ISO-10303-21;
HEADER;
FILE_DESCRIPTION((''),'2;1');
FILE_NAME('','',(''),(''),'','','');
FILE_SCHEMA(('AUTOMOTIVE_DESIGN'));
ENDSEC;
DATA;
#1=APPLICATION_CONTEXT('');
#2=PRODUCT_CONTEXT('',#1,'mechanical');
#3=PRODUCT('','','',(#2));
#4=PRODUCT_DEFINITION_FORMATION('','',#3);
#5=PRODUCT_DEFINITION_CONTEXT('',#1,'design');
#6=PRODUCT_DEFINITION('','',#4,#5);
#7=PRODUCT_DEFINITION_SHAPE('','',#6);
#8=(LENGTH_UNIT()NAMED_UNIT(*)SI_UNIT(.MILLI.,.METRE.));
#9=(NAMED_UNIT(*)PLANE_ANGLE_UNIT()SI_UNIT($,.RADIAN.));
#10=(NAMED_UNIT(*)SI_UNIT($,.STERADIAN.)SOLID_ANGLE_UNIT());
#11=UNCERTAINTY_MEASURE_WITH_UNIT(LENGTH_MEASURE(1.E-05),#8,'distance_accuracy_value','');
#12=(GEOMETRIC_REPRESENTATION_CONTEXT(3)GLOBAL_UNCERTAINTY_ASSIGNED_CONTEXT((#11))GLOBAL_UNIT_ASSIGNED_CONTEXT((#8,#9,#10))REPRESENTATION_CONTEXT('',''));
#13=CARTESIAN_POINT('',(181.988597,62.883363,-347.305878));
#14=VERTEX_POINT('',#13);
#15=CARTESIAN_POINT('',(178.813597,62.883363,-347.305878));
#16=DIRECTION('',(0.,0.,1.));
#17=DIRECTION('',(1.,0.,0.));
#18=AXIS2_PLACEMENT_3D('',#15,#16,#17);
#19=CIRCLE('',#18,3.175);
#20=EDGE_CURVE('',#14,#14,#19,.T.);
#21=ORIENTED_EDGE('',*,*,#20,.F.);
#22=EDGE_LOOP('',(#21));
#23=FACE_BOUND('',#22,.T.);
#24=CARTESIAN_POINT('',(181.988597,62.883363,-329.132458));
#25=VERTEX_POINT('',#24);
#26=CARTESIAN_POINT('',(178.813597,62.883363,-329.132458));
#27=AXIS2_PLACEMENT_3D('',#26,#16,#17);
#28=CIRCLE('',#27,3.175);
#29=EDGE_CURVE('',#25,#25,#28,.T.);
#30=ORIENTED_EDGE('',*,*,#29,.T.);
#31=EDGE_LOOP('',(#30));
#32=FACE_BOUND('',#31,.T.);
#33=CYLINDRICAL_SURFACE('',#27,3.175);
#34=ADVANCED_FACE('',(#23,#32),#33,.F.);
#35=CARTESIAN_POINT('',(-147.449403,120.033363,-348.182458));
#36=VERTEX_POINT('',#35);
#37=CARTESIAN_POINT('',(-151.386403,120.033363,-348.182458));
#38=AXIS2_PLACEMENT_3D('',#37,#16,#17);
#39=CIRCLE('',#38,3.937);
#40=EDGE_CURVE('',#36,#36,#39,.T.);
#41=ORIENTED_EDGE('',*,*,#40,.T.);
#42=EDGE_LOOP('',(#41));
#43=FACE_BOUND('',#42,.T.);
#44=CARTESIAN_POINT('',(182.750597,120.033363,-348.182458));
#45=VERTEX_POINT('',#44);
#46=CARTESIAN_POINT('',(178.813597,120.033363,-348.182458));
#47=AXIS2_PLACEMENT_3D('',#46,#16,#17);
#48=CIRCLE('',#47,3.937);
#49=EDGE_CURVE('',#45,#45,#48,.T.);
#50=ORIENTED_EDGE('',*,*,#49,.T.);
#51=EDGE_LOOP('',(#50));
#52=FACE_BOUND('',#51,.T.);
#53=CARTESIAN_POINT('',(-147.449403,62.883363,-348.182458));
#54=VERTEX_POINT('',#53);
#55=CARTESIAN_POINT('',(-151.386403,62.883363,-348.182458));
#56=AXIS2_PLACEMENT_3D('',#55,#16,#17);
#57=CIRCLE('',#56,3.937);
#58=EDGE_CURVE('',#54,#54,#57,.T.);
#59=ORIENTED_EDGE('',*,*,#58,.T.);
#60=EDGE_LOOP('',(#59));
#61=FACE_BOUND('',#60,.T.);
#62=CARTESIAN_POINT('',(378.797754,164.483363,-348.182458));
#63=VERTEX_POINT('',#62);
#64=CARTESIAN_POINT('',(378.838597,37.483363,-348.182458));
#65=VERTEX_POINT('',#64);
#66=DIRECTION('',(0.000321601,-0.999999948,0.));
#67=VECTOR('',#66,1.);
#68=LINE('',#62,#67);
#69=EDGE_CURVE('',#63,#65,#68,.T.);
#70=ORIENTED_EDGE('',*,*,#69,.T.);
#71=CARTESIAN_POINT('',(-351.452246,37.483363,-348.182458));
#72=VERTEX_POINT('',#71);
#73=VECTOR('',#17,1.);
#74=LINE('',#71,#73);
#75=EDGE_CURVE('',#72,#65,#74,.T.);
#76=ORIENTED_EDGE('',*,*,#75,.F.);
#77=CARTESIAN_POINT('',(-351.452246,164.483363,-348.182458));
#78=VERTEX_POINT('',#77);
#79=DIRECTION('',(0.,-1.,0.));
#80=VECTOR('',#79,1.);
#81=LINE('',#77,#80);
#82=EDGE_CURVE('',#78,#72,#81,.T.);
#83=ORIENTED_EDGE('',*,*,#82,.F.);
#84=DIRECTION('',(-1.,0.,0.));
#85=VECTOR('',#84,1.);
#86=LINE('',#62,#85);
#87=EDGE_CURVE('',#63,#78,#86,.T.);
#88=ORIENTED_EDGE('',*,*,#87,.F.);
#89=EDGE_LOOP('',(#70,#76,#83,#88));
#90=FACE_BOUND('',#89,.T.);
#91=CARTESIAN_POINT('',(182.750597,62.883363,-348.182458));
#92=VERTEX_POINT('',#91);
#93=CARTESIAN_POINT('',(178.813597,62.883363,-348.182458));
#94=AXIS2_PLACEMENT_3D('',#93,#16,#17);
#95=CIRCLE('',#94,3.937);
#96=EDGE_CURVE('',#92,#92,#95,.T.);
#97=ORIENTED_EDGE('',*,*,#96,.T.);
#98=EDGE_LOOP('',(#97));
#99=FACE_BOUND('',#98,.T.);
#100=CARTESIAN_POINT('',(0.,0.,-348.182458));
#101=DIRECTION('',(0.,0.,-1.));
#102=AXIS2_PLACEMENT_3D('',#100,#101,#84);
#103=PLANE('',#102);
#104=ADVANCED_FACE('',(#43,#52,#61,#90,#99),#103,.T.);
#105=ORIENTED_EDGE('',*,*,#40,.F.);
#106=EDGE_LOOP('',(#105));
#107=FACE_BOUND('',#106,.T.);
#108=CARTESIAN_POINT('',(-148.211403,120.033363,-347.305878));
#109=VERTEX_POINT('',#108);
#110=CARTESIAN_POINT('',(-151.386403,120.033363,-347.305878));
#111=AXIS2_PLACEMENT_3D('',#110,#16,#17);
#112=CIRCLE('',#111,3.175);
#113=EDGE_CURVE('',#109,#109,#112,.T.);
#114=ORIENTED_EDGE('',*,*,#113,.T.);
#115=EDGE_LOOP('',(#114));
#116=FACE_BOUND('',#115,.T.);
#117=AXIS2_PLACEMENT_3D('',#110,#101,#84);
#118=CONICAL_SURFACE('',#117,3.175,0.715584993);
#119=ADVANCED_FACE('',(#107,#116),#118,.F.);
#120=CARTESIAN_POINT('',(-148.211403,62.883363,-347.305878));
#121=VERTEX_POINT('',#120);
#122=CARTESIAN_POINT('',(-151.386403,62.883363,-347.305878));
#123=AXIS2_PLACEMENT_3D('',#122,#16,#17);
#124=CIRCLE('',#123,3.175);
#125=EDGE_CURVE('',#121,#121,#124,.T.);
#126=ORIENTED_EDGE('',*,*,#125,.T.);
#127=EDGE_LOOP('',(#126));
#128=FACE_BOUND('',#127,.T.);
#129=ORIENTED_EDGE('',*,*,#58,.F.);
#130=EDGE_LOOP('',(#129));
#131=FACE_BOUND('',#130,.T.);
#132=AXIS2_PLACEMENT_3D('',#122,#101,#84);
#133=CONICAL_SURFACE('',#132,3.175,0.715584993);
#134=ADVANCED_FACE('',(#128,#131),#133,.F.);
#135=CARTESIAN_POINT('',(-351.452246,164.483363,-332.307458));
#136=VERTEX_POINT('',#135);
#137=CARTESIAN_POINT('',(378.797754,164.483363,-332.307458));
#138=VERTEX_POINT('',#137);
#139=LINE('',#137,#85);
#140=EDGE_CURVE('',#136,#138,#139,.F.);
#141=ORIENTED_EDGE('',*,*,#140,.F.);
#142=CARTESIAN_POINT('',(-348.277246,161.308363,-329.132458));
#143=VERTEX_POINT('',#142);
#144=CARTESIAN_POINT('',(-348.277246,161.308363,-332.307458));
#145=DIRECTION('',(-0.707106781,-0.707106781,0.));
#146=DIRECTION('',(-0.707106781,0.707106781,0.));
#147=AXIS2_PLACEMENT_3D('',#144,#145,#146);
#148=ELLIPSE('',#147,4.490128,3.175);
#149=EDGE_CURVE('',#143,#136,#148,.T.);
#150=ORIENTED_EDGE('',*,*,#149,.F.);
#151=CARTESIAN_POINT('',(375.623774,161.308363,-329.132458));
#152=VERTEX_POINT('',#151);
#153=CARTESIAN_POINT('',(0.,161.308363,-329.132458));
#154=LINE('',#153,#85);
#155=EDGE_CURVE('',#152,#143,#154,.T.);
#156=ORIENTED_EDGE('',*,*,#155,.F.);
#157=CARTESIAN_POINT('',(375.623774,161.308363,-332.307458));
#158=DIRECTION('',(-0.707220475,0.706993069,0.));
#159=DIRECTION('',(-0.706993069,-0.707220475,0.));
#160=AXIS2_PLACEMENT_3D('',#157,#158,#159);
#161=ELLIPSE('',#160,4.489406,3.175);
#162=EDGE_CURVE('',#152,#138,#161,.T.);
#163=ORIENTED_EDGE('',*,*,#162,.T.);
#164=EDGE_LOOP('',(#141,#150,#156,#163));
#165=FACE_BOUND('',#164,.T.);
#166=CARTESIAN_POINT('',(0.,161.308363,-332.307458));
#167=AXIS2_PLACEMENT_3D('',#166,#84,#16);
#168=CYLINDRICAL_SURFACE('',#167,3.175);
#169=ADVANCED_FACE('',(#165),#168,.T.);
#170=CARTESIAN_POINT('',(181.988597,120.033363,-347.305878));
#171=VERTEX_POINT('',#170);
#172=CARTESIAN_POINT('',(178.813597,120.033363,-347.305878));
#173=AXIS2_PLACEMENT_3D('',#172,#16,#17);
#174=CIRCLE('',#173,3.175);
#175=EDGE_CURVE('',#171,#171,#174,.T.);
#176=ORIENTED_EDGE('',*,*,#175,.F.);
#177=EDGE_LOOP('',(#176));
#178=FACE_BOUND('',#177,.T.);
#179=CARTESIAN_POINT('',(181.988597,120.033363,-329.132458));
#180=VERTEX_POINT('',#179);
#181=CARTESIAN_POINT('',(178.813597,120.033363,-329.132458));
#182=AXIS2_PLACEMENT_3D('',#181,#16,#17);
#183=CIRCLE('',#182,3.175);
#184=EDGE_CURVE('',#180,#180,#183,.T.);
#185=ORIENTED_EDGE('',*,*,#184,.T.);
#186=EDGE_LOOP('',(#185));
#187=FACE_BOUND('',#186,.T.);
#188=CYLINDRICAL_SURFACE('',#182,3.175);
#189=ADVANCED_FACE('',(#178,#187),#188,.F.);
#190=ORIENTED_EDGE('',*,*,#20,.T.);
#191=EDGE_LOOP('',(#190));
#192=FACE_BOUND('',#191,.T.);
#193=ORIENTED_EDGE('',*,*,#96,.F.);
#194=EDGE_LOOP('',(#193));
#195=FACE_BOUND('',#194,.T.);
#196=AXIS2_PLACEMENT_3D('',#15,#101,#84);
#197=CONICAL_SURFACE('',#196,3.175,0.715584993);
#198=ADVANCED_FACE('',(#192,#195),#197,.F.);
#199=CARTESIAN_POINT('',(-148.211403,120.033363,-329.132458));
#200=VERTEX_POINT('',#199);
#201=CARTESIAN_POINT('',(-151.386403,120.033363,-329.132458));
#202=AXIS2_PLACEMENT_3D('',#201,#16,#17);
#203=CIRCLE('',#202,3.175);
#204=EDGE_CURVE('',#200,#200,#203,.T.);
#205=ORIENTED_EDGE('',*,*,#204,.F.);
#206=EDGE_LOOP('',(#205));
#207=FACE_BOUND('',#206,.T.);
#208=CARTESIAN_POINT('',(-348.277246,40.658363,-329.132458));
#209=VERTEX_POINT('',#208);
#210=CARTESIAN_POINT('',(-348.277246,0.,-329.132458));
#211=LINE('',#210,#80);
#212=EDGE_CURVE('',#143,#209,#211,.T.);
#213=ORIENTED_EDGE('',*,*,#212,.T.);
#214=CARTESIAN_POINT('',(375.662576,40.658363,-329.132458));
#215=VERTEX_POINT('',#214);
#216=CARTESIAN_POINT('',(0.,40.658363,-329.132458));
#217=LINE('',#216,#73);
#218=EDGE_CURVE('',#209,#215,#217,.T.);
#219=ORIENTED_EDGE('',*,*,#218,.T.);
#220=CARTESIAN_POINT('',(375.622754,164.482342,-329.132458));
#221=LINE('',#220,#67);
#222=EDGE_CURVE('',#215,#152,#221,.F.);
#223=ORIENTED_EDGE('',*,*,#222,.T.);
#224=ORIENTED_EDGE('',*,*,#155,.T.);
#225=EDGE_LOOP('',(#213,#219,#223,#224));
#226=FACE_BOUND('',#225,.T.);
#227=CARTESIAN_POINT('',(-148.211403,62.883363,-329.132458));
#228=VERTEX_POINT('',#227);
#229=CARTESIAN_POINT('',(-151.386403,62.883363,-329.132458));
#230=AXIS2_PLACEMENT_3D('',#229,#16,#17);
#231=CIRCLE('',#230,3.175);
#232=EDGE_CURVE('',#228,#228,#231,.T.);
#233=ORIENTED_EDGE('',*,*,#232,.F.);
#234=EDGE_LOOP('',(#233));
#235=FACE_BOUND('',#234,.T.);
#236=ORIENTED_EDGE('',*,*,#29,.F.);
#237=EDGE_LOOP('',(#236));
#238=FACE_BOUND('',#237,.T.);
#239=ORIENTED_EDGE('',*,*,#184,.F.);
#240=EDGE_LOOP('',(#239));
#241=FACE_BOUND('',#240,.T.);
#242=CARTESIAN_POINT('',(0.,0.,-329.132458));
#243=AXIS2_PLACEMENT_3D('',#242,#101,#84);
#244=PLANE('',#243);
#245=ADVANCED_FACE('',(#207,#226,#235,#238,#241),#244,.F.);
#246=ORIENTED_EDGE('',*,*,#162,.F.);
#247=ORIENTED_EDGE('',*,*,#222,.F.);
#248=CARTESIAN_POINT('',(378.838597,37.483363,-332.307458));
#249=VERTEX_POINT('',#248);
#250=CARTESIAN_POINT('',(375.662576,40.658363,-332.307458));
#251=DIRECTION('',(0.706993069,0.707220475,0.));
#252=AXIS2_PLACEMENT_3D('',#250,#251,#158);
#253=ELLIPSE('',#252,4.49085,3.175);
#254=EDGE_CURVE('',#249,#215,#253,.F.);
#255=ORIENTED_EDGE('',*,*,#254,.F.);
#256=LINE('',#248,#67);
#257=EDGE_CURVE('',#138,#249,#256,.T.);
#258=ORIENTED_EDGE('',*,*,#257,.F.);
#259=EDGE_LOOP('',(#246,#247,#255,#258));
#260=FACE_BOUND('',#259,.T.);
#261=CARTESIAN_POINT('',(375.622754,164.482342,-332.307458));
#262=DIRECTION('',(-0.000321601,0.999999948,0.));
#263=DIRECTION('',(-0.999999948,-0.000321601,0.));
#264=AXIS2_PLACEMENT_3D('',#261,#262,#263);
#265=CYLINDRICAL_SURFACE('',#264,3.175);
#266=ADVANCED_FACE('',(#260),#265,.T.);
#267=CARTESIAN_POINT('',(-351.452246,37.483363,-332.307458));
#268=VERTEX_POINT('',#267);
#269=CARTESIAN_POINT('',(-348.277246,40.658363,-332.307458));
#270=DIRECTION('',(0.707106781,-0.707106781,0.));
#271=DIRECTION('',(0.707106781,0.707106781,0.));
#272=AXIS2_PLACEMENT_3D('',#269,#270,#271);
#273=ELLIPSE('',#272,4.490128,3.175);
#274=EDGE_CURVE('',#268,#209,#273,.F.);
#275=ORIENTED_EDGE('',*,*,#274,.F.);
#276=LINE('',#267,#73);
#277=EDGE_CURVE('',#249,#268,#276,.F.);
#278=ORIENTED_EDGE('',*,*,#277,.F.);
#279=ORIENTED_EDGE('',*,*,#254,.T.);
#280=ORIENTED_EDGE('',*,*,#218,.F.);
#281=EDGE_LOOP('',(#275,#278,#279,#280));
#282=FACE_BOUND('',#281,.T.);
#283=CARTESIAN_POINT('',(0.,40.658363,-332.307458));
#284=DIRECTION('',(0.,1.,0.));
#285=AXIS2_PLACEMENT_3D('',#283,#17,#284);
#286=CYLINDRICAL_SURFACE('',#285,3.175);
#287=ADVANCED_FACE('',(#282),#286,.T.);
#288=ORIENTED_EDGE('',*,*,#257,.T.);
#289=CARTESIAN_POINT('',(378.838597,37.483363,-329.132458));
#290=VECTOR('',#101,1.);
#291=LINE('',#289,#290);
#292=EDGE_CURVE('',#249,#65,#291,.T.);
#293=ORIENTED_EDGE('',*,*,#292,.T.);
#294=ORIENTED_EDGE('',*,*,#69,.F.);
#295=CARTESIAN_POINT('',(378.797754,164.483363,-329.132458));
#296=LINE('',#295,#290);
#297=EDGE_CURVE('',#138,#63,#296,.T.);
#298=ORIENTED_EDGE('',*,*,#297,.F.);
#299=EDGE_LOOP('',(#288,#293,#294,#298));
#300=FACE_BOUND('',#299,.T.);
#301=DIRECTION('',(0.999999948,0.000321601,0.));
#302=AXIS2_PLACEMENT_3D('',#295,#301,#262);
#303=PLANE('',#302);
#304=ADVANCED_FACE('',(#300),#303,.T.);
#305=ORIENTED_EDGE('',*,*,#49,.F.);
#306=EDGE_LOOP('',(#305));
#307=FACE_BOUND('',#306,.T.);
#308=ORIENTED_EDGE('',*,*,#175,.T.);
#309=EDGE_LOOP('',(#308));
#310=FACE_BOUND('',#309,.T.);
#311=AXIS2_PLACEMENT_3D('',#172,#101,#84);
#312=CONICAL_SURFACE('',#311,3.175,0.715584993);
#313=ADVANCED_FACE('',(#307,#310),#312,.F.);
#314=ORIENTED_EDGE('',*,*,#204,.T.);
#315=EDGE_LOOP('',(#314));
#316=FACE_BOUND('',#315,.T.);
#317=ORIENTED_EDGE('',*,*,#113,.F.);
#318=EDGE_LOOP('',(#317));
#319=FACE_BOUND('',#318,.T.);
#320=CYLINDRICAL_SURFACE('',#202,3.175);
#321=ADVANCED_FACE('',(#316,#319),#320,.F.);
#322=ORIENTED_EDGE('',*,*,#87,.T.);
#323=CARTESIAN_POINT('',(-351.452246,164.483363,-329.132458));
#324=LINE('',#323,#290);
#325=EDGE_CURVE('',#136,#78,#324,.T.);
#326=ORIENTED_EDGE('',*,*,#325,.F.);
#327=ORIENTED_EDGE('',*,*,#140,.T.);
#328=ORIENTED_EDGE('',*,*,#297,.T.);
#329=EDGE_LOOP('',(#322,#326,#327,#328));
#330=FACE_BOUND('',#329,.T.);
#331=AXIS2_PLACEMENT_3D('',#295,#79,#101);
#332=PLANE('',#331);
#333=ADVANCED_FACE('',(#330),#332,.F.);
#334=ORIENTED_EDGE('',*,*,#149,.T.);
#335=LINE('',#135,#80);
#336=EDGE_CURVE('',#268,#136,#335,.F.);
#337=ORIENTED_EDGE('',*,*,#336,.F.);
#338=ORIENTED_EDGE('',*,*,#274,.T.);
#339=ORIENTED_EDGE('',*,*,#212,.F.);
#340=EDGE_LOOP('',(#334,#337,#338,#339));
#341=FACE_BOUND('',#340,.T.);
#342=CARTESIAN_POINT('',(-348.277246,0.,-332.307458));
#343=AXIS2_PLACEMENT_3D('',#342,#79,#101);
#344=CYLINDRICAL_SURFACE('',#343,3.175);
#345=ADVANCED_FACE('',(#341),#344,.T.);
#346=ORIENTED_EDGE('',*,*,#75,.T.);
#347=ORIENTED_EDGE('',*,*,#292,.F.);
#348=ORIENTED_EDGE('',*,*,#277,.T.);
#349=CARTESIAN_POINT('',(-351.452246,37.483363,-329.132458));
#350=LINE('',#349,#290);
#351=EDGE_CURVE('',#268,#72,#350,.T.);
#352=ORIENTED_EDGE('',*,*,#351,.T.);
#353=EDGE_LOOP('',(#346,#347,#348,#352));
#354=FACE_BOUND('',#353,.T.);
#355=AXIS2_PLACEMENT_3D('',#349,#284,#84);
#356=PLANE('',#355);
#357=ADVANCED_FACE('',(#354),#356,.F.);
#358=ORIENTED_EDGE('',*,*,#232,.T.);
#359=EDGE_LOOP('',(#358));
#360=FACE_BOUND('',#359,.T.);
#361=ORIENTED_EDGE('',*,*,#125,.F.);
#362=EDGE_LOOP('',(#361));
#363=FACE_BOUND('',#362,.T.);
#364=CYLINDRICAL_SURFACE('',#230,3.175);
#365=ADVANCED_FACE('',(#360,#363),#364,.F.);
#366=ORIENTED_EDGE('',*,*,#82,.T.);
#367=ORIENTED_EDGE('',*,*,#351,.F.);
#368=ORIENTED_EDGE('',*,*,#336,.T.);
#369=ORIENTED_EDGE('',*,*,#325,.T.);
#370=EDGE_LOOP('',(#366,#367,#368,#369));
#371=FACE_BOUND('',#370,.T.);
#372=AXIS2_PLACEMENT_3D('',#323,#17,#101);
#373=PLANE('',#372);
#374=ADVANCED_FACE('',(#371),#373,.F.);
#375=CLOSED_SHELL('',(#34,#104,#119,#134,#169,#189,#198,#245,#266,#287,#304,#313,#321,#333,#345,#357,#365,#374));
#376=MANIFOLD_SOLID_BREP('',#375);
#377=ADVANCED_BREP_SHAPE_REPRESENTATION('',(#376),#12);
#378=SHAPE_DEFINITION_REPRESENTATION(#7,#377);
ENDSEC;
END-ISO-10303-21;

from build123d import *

# Parameters (mm, degrees)
BOSS_EXTRUDE1_DEPTH                  = 19.05
F_1_4_0_25_DIAMETER_HOLE1_AT_2_COUNT = 2
F_1_4_0_25_DIAMETER_HOLE1_AT_2_PITCH = 57.15
F_1_4_0_25_DIAMETER_HOLE1_AT_3_COUNT = 2
F_1_4_0_25_DIAMETER_HOLE1_AT_3_PITCH = 335.10917997
F_1_4_0_25_DIAMETER_HOLE1_AT_4_COUNT = 2
F_1_4_0_25_DIAMETER_HOLE1_AT_4_PITCH = 330.2
FILLET1_R                            = 3.175


with BuildPart() as part:
    # Sketch1 → Boss-Extrude1 (new body)
    with BuildSketch(Plane.XY.offset(-348.182458287)):
        Polygon((378.797753528, 164.483362877), (-351.452246472, 164.483362877), (-351.452246472, 37.483362877), (378.838596905, 37.483362877), align=None)
    extrude(amount=BOSS_EXTRUDE1_DEPTH)

    # Sketch5 → 1/4 (0.25) Diameter Hole1 (revolve, cut)
    with BuildSketch(Plane(origin=(-151.386403095, 120.033362877, -329.132458287), x_dir=(0, -1, 0), z_dir=(1, 0, 0))):
        Polygon((0, 0), (0, 19.05), (3.937, 19.05), (3.175, 18.173419274), (3.175, 0), align=None)
    f_1_4_0_25_diameter_hole1 = revolve(axis=Axis((-151.386403095, 120.033362877, -322.782458287), (0, 0, -1)), mode=Mode.SUBTRACT)

    # 1/4 (0.25) Diameter Hole1 at 2: 1/4 (0.25) Diameter Hole1 ×2
    with Locations(*[(0, -i * F_1_4_0_25_DIAMETER_HOLE1_AT_2_PITCH, 0) for i in range(1, F_1_4_0_25_DIAMETER_HOLE1_AT_2_COUNT)]):
        add(f_1_4_0_25_diameter_hole1, mode=Mode.SUBTRACT)

    # 1/4 (0.25) Diameter Hole1 at 3: 1/4 (0.25) Diameter Hole1 ×2
    with Locations(*[Vector(0.9853505058554479, -0.17054143370575073, 0) * (i * F_1_4_0_25_DIAMETER_HOLE1_AT_3_PITCH) for i in range(1, F_1_4_0_25_DIAMETER_HOLE1_AT_3_COUNT)]):
        add(f_1_4_0_25_diameter_hole1, mode=Mode.SUBTRACT)

    # 1/4 (0.25) Diameter Hole1 at 4: 1/4 (0.25) Diameter Hole1 ×2
    with Locations(*[(i * F_1_4_0_25_DIAMETER_HOLE1_AT_4_PITCH, 0, 0) for i in range(1, F_1_4_0_25_DIAMETER_HOLE1_AT_4_COUNT)]):
        add(f_1_4_0_25_diameter_hole1, mode=Mode.SUBTRACT)

    # Fillet1
    fillet1_edges = [part.edges().sort_by_distance(p)[0] for p in [
        (13.672753528, 164.483362877, -329.132458287),
        (-351.452246472, 100.983362877, -329.132458287),
        (13.693175216, 37.483362877, -329.132458287),
        (378.818175216, 100.983362877, -329.132458287),
    ]]
    fillet(fillet1_edges, radius=FILLET1_R)


solid = part.part
